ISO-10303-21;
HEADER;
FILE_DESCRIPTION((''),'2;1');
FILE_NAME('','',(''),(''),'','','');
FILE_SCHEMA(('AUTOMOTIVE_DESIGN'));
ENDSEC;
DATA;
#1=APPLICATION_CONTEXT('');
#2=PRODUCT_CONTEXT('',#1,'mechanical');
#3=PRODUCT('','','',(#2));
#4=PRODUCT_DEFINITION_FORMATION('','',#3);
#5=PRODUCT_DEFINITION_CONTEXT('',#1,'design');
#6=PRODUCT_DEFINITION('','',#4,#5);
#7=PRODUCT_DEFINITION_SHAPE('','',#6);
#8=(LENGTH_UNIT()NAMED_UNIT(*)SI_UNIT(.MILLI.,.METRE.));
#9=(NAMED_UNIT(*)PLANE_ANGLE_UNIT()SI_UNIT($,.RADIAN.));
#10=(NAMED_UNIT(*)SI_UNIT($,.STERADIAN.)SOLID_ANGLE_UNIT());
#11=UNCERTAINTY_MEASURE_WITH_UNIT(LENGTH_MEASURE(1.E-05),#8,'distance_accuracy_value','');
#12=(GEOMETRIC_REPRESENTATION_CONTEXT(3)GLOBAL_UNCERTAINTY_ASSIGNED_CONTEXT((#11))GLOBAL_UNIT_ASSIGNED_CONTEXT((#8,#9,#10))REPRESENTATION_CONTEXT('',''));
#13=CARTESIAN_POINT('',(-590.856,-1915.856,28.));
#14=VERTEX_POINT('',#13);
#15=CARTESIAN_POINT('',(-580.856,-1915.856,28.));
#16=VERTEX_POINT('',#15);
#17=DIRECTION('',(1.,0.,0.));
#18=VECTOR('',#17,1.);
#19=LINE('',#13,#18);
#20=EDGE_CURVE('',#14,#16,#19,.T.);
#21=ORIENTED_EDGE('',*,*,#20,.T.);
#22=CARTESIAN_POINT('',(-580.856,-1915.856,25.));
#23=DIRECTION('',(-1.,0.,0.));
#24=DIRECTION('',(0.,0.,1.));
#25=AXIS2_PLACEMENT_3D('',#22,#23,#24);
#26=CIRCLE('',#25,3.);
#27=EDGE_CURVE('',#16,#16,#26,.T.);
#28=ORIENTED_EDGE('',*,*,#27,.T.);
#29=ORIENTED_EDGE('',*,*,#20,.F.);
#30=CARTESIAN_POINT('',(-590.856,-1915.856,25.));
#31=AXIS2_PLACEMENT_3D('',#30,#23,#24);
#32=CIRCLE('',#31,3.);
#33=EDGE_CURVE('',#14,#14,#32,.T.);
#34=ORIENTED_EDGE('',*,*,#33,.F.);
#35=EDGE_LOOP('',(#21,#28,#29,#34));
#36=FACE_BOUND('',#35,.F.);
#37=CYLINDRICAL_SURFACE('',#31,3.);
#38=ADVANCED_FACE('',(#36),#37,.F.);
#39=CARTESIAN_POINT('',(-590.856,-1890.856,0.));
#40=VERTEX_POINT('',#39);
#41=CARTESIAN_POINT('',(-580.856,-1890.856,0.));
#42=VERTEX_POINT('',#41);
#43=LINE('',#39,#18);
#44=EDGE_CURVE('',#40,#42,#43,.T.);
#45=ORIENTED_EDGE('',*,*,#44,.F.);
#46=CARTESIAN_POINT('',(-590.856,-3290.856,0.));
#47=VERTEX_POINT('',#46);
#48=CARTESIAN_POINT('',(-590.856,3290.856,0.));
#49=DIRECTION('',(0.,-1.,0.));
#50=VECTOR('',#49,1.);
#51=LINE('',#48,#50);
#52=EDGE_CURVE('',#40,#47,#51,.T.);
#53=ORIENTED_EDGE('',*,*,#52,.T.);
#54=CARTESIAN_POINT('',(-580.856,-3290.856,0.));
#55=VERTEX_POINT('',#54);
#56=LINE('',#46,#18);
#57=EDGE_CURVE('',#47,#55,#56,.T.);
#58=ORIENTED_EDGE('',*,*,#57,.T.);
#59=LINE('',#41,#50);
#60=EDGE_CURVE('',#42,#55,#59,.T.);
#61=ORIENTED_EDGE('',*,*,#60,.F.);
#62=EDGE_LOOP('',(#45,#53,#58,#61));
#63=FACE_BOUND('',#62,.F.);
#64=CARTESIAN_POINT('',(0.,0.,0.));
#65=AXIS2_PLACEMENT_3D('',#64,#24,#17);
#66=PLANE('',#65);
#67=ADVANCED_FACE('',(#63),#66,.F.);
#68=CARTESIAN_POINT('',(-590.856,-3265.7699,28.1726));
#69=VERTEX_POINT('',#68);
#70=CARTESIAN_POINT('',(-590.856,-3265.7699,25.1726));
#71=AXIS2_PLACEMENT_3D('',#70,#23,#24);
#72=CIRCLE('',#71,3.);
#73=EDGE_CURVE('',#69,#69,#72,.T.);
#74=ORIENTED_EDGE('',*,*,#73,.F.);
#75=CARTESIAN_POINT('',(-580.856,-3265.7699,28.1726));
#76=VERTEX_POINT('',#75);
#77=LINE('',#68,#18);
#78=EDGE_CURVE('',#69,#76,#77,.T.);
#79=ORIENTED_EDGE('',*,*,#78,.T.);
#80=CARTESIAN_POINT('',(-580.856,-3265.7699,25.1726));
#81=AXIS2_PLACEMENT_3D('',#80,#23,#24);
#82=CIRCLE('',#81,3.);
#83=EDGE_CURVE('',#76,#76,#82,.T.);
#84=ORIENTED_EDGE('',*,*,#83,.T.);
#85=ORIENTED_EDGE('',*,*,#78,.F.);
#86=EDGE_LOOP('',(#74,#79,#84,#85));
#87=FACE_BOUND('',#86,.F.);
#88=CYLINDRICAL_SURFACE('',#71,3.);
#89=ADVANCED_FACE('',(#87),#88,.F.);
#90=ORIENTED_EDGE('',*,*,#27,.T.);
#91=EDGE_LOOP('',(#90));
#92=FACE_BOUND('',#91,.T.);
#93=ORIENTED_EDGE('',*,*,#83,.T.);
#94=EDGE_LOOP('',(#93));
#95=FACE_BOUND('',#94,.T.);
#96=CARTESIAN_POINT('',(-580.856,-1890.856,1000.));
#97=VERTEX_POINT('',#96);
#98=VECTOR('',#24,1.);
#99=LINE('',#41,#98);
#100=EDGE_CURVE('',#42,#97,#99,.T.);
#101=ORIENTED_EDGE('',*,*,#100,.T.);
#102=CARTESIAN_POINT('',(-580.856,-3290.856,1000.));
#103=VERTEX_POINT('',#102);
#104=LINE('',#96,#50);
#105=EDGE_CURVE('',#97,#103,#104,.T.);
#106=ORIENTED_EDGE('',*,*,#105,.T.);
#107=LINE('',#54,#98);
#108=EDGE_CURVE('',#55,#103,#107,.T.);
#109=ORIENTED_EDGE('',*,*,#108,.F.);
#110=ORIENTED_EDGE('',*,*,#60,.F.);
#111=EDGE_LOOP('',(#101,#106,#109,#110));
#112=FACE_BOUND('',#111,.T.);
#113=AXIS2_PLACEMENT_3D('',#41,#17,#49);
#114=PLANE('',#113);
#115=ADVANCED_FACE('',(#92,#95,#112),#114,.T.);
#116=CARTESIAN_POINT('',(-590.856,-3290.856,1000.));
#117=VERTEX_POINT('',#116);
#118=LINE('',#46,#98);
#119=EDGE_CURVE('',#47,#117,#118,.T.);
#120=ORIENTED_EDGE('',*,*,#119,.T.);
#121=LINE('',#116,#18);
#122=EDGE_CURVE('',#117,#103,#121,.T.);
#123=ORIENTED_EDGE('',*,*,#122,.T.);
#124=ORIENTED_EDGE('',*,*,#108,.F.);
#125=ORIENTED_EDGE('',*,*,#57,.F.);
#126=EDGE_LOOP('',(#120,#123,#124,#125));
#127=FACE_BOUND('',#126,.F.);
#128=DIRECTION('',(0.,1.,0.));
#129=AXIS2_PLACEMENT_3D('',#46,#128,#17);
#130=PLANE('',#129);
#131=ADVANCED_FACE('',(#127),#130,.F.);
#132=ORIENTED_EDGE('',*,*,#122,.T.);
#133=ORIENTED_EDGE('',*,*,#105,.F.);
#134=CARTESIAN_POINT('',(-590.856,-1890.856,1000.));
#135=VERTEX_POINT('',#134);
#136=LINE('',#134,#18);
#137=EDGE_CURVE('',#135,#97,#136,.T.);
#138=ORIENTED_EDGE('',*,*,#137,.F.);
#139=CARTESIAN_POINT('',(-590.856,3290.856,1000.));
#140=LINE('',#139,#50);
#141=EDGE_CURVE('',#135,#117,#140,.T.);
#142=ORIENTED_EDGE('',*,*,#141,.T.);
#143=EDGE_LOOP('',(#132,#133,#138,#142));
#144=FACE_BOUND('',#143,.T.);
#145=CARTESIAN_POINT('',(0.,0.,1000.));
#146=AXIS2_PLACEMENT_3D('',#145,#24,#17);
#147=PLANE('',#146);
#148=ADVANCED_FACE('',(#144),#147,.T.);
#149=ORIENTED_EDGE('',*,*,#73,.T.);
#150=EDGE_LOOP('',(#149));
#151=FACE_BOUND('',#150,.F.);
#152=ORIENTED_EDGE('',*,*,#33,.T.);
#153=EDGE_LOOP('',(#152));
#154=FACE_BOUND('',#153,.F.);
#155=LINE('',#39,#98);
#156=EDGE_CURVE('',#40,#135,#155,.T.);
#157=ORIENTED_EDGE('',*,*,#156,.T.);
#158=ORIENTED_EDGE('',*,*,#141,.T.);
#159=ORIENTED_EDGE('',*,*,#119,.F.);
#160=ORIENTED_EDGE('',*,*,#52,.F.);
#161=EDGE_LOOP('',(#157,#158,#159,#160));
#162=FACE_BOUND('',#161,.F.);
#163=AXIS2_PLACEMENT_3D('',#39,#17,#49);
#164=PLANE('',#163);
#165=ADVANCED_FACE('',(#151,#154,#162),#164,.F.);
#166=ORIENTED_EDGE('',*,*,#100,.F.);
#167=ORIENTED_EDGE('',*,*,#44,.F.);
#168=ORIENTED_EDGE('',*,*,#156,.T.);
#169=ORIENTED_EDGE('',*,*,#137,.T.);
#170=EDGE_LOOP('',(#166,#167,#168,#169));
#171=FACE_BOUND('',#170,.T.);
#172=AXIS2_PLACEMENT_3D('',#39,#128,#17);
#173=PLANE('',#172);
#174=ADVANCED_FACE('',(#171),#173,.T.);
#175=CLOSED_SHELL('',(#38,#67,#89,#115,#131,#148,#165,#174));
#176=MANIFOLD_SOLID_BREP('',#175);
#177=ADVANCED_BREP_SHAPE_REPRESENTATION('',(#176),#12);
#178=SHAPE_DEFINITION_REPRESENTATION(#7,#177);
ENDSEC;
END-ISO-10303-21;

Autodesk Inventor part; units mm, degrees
ref_plane "YZ Plane" through (0, 0, 0) normal (1, 0, 0) x (0, 1, 0)
ref_plane "XZ Plane" through (0, 0, 0) normal (0, 1, 0) x (-1, 0, 0)
ref_plane "XY Plane" through (0, 0, 0) normal (0, 0, 1) x (1, 0, 0)
ref_plane "Work Plane1" through (0, 0, 0) normal (0, 0, 1) x (1, 0, 0)
sketch "Sketch1" plane through (0, 0, 0) normal (0, 0, 1) x (1, 0, 0)
  line L0 (-590.856, -3290.856) -> (590.856, -3290.856) projected
  line L1 (-590.856, 3290.856) -> (-590.856, -3290.856) projected
  line L2 (-590.856, -3290.856) -> (-590.856, -1890.856)
  line L3 (-590.856, -1890.856) -> (-580.856, -1890.856)
  line L4 (-580.856, -1890.856) -> (-580.856, -3290.856)
  line L5 (-580.856, -3290.856) -> (-590.856, -3290.856)
  point P0 (0, 0)
  dimension "d0" = 1400
  dimension "d1" = 10
extrude "Extrusion1" add sketch "Sketch1" along normal blind 1000
sketch "Sketch2" plane through (-590.856, -3290.856, 0) normal (-1, 0, 0) x (0, 0, 1)
  circle A0 centre (25, 1375) radius 3 projected
  circle A1 centre (25.1726, 25.0861) radius 3 projected
  point P0 (0, 3290.856)
extrude "Extrusion2" cut sketch "Sketch2" against normal through all
properties part number "Barrera de protección" material "PMMA Plastic"
